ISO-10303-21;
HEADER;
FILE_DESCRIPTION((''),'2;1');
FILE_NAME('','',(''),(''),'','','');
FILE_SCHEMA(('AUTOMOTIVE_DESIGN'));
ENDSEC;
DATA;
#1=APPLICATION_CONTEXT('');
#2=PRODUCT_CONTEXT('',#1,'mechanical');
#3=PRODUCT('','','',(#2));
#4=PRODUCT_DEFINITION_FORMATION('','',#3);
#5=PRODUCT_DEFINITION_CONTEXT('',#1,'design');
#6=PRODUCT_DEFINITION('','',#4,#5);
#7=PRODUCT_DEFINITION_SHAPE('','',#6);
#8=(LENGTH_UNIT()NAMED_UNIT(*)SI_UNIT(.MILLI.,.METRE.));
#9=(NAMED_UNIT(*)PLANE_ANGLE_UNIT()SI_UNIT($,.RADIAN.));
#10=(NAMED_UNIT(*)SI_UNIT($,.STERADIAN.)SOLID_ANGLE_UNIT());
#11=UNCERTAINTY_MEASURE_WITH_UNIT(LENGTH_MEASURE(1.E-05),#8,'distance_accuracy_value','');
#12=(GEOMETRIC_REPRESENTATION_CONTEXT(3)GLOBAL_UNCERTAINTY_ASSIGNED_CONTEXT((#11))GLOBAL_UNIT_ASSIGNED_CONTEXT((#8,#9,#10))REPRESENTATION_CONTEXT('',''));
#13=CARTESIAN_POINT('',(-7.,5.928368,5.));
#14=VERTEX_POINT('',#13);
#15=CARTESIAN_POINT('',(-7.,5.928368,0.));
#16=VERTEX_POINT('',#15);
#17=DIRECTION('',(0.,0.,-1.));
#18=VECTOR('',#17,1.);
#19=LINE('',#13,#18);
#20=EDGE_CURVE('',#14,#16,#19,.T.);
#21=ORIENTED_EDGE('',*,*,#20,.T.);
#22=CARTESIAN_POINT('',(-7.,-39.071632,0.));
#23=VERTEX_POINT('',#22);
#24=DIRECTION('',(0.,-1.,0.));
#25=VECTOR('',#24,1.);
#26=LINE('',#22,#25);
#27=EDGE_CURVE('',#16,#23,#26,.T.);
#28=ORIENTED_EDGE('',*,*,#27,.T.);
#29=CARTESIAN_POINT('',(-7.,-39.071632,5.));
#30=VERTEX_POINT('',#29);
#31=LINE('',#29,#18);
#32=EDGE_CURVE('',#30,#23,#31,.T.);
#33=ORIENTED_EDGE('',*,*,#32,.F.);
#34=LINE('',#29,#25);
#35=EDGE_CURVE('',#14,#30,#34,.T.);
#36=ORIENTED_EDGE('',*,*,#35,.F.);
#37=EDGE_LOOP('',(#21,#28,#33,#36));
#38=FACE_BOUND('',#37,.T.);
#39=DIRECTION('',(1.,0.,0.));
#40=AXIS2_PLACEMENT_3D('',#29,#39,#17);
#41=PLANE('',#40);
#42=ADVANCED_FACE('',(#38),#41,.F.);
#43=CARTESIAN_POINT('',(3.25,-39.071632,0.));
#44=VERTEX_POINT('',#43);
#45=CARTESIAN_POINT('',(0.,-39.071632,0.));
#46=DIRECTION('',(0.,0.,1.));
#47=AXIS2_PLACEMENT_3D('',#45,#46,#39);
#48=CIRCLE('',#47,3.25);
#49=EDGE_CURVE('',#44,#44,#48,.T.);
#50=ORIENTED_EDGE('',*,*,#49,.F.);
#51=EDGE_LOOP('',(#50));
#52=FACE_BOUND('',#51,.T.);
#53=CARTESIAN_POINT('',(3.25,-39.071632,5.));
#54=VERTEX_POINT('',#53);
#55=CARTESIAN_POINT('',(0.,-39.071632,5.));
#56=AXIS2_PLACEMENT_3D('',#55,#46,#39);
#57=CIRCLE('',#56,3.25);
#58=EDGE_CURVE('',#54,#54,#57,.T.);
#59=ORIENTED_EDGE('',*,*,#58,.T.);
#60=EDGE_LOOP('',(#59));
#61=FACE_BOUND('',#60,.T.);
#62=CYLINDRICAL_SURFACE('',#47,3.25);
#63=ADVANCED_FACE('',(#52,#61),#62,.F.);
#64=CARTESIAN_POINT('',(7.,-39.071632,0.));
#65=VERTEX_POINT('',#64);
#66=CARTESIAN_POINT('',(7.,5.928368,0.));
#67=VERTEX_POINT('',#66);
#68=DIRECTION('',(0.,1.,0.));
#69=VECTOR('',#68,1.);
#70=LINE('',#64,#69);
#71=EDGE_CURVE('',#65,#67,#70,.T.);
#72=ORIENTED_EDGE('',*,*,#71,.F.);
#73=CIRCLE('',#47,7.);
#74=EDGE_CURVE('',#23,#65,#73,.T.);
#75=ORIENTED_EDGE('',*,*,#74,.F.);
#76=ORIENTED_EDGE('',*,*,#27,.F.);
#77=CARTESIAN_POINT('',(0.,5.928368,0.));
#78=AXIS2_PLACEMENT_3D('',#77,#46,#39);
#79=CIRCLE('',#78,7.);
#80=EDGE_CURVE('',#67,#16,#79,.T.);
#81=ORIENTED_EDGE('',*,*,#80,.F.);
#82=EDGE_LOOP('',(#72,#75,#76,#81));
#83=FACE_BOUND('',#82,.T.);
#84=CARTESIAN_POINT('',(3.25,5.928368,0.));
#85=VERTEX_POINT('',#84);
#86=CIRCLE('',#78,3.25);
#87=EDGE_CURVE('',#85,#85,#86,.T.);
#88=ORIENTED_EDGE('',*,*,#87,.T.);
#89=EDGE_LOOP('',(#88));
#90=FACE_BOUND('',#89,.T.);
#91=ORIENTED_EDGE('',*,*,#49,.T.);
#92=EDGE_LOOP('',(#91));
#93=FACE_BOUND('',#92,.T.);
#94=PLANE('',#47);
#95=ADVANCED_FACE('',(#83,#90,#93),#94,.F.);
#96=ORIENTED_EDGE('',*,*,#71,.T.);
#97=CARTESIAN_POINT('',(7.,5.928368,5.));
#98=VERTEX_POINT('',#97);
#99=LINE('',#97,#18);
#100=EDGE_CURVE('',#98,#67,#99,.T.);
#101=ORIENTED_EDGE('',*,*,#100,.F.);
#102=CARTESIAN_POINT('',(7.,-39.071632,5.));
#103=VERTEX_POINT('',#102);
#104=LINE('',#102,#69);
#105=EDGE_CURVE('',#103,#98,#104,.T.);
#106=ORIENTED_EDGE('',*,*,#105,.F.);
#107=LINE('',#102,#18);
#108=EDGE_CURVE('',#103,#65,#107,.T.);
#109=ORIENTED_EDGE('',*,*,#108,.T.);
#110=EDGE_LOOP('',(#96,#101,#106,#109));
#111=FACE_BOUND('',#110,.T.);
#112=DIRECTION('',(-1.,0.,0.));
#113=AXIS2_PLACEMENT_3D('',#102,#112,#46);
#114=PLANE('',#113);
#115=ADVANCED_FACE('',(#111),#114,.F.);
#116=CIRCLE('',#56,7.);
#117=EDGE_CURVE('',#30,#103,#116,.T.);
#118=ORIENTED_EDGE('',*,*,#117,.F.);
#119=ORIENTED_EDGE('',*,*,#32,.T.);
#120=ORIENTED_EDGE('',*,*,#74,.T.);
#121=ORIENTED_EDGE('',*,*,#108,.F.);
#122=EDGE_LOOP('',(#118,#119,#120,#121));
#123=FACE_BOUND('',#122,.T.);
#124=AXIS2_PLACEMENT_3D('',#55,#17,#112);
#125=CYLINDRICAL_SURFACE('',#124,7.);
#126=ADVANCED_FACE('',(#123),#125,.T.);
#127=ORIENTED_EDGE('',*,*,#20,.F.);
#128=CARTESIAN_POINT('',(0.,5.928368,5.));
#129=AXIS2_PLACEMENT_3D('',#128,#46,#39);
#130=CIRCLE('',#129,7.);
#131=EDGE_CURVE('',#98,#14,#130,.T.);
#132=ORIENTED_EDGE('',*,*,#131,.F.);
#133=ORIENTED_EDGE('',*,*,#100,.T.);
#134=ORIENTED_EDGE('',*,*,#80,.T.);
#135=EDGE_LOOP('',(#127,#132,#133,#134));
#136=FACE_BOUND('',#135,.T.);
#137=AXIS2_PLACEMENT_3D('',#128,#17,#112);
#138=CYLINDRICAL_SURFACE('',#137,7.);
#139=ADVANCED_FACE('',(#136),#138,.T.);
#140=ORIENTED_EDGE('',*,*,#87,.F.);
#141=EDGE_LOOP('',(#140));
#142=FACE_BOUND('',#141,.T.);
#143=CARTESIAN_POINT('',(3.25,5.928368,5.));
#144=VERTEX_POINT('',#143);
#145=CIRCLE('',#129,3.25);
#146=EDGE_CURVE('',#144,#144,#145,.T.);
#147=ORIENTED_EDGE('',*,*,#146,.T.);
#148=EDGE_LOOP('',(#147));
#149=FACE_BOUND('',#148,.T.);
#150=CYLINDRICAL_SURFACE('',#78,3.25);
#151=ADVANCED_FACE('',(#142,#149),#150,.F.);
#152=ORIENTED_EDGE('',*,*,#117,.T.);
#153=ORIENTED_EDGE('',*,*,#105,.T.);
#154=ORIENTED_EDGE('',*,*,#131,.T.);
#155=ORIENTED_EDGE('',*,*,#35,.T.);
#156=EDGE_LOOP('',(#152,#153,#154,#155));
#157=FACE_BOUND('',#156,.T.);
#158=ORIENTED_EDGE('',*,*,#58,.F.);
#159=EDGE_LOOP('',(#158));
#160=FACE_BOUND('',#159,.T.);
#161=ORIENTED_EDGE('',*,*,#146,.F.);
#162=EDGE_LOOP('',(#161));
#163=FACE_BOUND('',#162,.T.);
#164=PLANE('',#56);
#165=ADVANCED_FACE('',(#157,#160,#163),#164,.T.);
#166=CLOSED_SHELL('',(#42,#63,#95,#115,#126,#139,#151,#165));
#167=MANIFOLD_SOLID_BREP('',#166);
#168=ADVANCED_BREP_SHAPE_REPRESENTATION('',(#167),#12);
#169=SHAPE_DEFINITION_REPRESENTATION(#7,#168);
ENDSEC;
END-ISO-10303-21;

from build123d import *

# Parameters (mm, degrees)
BOSS_EXTRUDE1_DEPTH = 5
SKETCH2_R           = 3.25
CUT_EXTRUDE1_DEPTH  = 47.867848747


with BuildPart() as part:
    # Sketch1 → Boss-Extrude1 (new body)
    with BuildSketch(Plane.XY):
        with BuildLine():
            Line((-7, -39.071631686), (-7, 5.928368314))
            ThreePointArc((-7, 5.928368314), (0, 12.928368314), (7, 5.928368314))
            Line((7, 5.928368314), (7, -39.071631686))
            ThreePointArc((7, -39.071631686), (0, -46.071631686), (-7, -39.071631686))
        make_face()
    extrude(amount=BOSS_EXTRUDE1_DEPTH)

    # Sketch2 → Cut-Extrude1 (cut, through all)
    with BuildSketch(Plane.XY.offset(5)):
        with Locations((0, 5.928368314)):
            Circle(SKETCH2_R)
        with Locations((0, -39.071631686)):
            Circle(SKETCH2_R)
    extrude(amount=-CUT_EXTRUDE1_DEPTH, mode=Mode.SUBTRACT)


solid = part.part
